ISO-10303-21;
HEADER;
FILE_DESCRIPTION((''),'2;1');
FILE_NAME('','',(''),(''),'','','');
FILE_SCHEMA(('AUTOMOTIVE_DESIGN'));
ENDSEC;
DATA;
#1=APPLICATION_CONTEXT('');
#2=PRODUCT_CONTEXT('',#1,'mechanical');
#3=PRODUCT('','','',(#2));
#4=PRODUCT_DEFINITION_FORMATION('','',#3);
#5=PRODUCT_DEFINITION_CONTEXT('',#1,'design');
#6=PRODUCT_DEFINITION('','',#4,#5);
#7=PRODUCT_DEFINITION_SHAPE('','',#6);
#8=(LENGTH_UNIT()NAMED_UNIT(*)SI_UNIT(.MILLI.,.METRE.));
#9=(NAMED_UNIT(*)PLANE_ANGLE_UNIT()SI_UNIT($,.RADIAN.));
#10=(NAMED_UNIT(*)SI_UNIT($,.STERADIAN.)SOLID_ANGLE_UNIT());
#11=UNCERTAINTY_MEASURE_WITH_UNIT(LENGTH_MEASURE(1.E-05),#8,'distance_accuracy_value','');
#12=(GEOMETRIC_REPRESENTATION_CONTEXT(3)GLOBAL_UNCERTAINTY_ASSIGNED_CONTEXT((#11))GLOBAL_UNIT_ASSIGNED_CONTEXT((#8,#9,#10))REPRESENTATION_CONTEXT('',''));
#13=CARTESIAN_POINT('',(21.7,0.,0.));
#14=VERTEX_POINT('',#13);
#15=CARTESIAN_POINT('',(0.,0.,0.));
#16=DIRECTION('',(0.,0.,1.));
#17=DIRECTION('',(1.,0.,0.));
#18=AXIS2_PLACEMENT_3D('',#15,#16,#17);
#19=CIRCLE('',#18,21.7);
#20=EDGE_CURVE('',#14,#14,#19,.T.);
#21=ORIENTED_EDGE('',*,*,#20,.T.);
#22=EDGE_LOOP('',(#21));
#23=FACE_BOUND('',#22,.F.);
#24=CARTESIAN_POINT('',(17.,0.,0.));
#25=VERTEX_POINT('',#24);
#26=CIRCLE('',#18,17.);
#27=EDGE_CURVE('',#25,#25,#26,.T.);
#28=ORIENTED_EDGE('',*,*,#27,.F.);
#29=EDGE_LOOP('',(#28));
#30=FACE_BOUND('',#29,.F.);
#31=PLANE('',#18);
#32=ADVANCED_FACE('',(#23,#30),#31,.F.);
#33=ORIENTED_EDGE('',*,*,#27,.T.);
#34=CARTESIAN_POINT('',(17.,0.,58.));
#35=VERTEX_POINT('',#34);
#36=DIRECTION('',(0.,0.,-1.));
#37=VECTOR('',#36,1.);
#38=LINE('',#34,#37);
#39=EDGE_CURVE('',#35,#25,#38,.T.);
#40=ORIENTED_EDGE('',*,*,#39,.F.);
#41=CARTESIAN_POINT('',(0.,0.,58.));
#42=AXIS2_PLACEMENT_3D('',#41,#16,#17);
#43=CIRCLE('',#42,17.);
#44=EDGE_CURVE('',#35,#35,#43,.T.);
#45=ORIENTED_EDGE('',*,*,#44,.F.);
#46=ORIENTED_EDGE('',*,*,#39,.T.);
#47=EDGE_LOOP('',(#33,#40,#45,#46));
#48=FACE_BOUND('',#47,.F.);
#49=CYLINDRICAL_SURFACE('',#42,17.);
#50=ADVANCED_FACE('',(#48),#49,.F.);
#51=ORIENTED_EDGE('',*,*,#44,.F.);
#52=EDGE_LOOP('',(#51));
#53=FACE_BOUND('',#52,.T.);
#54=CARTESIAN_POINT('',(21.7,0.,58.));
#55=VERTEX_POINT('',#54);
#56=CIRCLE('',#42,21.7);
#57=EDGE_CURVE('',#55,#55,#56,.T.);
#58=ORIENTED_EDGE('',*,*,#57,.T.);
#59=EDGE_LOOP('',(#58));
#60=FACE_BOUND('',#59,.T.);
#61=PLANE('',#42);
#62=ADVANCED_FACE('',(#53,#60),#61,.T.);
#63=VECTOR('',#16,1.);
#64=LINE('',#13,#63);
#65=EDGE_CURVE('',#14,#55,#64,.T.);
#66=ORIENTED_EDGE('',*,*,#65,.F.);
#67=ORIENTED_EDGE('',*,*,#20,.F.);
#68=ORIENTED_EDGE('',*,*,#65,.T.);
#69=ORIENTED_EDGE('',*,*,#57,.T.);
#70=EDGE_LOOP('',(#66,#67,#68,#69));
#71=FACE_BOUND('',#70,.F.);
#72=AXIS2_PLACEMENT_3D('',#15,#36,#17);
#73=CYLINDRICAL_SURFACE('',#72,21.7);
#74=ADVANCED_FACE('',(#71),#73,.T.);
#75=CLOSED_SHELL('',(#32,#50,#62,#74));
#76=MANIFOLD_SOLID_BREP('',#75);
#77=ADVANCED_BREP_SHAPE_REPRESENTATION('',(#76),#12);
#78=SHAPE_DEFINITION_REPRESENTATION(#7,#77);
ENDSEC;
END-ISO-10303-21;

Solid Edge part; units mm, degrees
sketch "Sketch1" plane through (0, 0, 0) normal (0, 0, 1) x (1, 0, 0)
  circle A0 centre (0, 0) radius 21.7
extrude "Protrusion1" add sketch "Sketch1" along normal blind 58
sketch "Sketch2" plane through (0, 0, 58) normal (0, 0, 1) x (1, 0, 0)
  circle A0 centre (0, 0) radius 17
extrude "Cutout1" cut sketch "Sketch2" against normal up to vertex (58 mm away)
properties material "Copper"
